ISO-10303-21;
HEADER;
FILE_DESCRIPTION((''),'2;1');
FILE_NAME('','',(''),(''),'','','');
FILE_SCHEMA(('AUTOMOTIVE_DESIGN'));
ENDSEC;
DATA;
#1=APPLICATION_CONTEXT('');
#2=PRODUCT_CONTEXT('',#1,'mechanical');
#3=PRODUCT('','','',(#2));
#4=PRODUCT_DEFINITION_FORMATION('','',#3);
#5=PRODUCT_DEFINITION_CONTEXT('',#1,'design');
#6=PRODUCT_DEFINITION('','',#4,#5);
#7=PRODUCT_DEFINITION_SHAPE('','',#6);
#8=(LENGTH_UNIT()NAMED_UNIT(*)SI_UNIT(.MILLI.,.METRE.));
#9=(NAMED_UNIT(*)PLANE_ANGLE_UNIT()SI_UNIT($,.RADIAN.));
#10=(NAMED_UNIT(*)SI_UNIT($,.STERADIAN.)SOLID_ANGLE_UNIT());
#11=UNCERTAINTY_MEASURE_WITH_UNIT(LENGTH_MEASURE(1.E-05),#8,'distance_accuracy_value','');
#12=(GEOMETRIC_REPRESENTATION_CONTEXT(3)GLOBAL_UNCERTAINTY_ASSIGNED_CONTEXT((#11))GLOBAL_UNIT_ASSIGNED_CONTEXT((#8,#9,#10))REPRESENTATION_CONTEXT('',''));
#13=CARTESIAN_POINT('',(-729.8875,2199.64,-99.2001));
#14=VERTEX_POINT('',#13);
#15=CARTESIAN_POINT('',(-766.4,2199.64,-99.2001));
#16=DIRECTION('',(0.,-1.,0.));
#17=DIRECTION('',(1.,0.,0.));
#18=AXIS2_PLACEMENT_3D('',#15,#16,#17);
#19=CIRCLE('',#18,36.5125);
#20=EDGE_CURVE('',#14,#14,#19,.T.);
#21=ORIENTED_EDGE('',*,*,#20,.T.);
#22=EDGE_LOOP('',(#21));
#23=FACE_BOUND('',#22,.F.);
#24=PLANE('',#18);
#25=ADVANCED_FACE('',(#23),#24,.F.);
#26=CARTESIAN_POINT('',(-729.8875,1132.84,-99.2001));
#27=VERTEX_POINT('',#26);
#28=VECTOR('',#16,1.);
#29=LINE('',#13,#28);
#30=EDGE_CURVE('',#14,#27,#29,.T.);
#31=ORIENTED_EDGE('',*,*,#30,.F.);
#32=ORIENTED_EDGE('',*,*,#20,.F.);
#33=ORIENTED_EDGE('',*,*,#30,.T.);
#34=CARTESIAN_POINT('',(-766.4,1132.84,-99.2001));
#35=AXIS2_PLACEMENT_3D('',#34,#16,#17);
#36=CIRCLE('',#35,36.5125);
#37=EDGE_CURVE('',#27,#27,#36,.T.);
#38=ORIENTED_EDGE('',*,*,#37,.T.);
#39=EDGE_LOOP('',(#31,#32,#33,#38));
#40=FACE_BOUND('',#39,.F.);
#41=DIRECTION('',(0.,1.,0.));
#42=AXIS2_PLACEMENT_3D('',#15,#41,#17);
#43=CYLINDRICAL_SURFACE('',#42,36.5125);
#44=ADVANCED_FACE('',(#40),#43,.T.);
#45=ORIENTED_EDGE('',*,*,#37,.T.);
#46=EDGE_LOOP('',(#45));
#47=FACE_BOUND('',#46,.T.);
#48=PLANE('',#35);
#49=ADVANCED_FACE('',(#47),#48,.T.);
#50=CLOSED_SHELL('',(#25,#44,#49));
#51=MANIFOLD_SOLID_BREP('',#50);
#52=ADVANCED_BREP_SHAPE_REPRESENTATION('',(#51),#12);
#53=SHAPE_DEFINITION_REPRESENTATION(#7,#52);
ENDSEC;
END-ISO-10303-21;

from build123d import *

# Parameters (mm, degrees)
CYLINDER009_R          = 36.5125
CYLINDER009_DEPTH      = 1066.8
CYLINDER009_ROLL_ANGLE = 90


with BuildPart() as part:
    # Cylinder009 → Cylinder009 (new body)
    with BuildSketch(Plane.XY):
        Circle(CYLINDER009_R)
    extrude(amount=CYLINDER009_DEPTH)


with BuildPart() as part_1:
    # Cylinder009 roll: moved
    add(part.part.rotate(Axis((0, 0, 0), (1, 0, 0)), CYLINDER009_ROLL_ANGLE))


with BuildPart() as part_2:
    # Cylinder009 placement: moved
    add(part_1.part.moved(Location((-766.4, 2199.64, -99.2001))))


solid = part_2.part
